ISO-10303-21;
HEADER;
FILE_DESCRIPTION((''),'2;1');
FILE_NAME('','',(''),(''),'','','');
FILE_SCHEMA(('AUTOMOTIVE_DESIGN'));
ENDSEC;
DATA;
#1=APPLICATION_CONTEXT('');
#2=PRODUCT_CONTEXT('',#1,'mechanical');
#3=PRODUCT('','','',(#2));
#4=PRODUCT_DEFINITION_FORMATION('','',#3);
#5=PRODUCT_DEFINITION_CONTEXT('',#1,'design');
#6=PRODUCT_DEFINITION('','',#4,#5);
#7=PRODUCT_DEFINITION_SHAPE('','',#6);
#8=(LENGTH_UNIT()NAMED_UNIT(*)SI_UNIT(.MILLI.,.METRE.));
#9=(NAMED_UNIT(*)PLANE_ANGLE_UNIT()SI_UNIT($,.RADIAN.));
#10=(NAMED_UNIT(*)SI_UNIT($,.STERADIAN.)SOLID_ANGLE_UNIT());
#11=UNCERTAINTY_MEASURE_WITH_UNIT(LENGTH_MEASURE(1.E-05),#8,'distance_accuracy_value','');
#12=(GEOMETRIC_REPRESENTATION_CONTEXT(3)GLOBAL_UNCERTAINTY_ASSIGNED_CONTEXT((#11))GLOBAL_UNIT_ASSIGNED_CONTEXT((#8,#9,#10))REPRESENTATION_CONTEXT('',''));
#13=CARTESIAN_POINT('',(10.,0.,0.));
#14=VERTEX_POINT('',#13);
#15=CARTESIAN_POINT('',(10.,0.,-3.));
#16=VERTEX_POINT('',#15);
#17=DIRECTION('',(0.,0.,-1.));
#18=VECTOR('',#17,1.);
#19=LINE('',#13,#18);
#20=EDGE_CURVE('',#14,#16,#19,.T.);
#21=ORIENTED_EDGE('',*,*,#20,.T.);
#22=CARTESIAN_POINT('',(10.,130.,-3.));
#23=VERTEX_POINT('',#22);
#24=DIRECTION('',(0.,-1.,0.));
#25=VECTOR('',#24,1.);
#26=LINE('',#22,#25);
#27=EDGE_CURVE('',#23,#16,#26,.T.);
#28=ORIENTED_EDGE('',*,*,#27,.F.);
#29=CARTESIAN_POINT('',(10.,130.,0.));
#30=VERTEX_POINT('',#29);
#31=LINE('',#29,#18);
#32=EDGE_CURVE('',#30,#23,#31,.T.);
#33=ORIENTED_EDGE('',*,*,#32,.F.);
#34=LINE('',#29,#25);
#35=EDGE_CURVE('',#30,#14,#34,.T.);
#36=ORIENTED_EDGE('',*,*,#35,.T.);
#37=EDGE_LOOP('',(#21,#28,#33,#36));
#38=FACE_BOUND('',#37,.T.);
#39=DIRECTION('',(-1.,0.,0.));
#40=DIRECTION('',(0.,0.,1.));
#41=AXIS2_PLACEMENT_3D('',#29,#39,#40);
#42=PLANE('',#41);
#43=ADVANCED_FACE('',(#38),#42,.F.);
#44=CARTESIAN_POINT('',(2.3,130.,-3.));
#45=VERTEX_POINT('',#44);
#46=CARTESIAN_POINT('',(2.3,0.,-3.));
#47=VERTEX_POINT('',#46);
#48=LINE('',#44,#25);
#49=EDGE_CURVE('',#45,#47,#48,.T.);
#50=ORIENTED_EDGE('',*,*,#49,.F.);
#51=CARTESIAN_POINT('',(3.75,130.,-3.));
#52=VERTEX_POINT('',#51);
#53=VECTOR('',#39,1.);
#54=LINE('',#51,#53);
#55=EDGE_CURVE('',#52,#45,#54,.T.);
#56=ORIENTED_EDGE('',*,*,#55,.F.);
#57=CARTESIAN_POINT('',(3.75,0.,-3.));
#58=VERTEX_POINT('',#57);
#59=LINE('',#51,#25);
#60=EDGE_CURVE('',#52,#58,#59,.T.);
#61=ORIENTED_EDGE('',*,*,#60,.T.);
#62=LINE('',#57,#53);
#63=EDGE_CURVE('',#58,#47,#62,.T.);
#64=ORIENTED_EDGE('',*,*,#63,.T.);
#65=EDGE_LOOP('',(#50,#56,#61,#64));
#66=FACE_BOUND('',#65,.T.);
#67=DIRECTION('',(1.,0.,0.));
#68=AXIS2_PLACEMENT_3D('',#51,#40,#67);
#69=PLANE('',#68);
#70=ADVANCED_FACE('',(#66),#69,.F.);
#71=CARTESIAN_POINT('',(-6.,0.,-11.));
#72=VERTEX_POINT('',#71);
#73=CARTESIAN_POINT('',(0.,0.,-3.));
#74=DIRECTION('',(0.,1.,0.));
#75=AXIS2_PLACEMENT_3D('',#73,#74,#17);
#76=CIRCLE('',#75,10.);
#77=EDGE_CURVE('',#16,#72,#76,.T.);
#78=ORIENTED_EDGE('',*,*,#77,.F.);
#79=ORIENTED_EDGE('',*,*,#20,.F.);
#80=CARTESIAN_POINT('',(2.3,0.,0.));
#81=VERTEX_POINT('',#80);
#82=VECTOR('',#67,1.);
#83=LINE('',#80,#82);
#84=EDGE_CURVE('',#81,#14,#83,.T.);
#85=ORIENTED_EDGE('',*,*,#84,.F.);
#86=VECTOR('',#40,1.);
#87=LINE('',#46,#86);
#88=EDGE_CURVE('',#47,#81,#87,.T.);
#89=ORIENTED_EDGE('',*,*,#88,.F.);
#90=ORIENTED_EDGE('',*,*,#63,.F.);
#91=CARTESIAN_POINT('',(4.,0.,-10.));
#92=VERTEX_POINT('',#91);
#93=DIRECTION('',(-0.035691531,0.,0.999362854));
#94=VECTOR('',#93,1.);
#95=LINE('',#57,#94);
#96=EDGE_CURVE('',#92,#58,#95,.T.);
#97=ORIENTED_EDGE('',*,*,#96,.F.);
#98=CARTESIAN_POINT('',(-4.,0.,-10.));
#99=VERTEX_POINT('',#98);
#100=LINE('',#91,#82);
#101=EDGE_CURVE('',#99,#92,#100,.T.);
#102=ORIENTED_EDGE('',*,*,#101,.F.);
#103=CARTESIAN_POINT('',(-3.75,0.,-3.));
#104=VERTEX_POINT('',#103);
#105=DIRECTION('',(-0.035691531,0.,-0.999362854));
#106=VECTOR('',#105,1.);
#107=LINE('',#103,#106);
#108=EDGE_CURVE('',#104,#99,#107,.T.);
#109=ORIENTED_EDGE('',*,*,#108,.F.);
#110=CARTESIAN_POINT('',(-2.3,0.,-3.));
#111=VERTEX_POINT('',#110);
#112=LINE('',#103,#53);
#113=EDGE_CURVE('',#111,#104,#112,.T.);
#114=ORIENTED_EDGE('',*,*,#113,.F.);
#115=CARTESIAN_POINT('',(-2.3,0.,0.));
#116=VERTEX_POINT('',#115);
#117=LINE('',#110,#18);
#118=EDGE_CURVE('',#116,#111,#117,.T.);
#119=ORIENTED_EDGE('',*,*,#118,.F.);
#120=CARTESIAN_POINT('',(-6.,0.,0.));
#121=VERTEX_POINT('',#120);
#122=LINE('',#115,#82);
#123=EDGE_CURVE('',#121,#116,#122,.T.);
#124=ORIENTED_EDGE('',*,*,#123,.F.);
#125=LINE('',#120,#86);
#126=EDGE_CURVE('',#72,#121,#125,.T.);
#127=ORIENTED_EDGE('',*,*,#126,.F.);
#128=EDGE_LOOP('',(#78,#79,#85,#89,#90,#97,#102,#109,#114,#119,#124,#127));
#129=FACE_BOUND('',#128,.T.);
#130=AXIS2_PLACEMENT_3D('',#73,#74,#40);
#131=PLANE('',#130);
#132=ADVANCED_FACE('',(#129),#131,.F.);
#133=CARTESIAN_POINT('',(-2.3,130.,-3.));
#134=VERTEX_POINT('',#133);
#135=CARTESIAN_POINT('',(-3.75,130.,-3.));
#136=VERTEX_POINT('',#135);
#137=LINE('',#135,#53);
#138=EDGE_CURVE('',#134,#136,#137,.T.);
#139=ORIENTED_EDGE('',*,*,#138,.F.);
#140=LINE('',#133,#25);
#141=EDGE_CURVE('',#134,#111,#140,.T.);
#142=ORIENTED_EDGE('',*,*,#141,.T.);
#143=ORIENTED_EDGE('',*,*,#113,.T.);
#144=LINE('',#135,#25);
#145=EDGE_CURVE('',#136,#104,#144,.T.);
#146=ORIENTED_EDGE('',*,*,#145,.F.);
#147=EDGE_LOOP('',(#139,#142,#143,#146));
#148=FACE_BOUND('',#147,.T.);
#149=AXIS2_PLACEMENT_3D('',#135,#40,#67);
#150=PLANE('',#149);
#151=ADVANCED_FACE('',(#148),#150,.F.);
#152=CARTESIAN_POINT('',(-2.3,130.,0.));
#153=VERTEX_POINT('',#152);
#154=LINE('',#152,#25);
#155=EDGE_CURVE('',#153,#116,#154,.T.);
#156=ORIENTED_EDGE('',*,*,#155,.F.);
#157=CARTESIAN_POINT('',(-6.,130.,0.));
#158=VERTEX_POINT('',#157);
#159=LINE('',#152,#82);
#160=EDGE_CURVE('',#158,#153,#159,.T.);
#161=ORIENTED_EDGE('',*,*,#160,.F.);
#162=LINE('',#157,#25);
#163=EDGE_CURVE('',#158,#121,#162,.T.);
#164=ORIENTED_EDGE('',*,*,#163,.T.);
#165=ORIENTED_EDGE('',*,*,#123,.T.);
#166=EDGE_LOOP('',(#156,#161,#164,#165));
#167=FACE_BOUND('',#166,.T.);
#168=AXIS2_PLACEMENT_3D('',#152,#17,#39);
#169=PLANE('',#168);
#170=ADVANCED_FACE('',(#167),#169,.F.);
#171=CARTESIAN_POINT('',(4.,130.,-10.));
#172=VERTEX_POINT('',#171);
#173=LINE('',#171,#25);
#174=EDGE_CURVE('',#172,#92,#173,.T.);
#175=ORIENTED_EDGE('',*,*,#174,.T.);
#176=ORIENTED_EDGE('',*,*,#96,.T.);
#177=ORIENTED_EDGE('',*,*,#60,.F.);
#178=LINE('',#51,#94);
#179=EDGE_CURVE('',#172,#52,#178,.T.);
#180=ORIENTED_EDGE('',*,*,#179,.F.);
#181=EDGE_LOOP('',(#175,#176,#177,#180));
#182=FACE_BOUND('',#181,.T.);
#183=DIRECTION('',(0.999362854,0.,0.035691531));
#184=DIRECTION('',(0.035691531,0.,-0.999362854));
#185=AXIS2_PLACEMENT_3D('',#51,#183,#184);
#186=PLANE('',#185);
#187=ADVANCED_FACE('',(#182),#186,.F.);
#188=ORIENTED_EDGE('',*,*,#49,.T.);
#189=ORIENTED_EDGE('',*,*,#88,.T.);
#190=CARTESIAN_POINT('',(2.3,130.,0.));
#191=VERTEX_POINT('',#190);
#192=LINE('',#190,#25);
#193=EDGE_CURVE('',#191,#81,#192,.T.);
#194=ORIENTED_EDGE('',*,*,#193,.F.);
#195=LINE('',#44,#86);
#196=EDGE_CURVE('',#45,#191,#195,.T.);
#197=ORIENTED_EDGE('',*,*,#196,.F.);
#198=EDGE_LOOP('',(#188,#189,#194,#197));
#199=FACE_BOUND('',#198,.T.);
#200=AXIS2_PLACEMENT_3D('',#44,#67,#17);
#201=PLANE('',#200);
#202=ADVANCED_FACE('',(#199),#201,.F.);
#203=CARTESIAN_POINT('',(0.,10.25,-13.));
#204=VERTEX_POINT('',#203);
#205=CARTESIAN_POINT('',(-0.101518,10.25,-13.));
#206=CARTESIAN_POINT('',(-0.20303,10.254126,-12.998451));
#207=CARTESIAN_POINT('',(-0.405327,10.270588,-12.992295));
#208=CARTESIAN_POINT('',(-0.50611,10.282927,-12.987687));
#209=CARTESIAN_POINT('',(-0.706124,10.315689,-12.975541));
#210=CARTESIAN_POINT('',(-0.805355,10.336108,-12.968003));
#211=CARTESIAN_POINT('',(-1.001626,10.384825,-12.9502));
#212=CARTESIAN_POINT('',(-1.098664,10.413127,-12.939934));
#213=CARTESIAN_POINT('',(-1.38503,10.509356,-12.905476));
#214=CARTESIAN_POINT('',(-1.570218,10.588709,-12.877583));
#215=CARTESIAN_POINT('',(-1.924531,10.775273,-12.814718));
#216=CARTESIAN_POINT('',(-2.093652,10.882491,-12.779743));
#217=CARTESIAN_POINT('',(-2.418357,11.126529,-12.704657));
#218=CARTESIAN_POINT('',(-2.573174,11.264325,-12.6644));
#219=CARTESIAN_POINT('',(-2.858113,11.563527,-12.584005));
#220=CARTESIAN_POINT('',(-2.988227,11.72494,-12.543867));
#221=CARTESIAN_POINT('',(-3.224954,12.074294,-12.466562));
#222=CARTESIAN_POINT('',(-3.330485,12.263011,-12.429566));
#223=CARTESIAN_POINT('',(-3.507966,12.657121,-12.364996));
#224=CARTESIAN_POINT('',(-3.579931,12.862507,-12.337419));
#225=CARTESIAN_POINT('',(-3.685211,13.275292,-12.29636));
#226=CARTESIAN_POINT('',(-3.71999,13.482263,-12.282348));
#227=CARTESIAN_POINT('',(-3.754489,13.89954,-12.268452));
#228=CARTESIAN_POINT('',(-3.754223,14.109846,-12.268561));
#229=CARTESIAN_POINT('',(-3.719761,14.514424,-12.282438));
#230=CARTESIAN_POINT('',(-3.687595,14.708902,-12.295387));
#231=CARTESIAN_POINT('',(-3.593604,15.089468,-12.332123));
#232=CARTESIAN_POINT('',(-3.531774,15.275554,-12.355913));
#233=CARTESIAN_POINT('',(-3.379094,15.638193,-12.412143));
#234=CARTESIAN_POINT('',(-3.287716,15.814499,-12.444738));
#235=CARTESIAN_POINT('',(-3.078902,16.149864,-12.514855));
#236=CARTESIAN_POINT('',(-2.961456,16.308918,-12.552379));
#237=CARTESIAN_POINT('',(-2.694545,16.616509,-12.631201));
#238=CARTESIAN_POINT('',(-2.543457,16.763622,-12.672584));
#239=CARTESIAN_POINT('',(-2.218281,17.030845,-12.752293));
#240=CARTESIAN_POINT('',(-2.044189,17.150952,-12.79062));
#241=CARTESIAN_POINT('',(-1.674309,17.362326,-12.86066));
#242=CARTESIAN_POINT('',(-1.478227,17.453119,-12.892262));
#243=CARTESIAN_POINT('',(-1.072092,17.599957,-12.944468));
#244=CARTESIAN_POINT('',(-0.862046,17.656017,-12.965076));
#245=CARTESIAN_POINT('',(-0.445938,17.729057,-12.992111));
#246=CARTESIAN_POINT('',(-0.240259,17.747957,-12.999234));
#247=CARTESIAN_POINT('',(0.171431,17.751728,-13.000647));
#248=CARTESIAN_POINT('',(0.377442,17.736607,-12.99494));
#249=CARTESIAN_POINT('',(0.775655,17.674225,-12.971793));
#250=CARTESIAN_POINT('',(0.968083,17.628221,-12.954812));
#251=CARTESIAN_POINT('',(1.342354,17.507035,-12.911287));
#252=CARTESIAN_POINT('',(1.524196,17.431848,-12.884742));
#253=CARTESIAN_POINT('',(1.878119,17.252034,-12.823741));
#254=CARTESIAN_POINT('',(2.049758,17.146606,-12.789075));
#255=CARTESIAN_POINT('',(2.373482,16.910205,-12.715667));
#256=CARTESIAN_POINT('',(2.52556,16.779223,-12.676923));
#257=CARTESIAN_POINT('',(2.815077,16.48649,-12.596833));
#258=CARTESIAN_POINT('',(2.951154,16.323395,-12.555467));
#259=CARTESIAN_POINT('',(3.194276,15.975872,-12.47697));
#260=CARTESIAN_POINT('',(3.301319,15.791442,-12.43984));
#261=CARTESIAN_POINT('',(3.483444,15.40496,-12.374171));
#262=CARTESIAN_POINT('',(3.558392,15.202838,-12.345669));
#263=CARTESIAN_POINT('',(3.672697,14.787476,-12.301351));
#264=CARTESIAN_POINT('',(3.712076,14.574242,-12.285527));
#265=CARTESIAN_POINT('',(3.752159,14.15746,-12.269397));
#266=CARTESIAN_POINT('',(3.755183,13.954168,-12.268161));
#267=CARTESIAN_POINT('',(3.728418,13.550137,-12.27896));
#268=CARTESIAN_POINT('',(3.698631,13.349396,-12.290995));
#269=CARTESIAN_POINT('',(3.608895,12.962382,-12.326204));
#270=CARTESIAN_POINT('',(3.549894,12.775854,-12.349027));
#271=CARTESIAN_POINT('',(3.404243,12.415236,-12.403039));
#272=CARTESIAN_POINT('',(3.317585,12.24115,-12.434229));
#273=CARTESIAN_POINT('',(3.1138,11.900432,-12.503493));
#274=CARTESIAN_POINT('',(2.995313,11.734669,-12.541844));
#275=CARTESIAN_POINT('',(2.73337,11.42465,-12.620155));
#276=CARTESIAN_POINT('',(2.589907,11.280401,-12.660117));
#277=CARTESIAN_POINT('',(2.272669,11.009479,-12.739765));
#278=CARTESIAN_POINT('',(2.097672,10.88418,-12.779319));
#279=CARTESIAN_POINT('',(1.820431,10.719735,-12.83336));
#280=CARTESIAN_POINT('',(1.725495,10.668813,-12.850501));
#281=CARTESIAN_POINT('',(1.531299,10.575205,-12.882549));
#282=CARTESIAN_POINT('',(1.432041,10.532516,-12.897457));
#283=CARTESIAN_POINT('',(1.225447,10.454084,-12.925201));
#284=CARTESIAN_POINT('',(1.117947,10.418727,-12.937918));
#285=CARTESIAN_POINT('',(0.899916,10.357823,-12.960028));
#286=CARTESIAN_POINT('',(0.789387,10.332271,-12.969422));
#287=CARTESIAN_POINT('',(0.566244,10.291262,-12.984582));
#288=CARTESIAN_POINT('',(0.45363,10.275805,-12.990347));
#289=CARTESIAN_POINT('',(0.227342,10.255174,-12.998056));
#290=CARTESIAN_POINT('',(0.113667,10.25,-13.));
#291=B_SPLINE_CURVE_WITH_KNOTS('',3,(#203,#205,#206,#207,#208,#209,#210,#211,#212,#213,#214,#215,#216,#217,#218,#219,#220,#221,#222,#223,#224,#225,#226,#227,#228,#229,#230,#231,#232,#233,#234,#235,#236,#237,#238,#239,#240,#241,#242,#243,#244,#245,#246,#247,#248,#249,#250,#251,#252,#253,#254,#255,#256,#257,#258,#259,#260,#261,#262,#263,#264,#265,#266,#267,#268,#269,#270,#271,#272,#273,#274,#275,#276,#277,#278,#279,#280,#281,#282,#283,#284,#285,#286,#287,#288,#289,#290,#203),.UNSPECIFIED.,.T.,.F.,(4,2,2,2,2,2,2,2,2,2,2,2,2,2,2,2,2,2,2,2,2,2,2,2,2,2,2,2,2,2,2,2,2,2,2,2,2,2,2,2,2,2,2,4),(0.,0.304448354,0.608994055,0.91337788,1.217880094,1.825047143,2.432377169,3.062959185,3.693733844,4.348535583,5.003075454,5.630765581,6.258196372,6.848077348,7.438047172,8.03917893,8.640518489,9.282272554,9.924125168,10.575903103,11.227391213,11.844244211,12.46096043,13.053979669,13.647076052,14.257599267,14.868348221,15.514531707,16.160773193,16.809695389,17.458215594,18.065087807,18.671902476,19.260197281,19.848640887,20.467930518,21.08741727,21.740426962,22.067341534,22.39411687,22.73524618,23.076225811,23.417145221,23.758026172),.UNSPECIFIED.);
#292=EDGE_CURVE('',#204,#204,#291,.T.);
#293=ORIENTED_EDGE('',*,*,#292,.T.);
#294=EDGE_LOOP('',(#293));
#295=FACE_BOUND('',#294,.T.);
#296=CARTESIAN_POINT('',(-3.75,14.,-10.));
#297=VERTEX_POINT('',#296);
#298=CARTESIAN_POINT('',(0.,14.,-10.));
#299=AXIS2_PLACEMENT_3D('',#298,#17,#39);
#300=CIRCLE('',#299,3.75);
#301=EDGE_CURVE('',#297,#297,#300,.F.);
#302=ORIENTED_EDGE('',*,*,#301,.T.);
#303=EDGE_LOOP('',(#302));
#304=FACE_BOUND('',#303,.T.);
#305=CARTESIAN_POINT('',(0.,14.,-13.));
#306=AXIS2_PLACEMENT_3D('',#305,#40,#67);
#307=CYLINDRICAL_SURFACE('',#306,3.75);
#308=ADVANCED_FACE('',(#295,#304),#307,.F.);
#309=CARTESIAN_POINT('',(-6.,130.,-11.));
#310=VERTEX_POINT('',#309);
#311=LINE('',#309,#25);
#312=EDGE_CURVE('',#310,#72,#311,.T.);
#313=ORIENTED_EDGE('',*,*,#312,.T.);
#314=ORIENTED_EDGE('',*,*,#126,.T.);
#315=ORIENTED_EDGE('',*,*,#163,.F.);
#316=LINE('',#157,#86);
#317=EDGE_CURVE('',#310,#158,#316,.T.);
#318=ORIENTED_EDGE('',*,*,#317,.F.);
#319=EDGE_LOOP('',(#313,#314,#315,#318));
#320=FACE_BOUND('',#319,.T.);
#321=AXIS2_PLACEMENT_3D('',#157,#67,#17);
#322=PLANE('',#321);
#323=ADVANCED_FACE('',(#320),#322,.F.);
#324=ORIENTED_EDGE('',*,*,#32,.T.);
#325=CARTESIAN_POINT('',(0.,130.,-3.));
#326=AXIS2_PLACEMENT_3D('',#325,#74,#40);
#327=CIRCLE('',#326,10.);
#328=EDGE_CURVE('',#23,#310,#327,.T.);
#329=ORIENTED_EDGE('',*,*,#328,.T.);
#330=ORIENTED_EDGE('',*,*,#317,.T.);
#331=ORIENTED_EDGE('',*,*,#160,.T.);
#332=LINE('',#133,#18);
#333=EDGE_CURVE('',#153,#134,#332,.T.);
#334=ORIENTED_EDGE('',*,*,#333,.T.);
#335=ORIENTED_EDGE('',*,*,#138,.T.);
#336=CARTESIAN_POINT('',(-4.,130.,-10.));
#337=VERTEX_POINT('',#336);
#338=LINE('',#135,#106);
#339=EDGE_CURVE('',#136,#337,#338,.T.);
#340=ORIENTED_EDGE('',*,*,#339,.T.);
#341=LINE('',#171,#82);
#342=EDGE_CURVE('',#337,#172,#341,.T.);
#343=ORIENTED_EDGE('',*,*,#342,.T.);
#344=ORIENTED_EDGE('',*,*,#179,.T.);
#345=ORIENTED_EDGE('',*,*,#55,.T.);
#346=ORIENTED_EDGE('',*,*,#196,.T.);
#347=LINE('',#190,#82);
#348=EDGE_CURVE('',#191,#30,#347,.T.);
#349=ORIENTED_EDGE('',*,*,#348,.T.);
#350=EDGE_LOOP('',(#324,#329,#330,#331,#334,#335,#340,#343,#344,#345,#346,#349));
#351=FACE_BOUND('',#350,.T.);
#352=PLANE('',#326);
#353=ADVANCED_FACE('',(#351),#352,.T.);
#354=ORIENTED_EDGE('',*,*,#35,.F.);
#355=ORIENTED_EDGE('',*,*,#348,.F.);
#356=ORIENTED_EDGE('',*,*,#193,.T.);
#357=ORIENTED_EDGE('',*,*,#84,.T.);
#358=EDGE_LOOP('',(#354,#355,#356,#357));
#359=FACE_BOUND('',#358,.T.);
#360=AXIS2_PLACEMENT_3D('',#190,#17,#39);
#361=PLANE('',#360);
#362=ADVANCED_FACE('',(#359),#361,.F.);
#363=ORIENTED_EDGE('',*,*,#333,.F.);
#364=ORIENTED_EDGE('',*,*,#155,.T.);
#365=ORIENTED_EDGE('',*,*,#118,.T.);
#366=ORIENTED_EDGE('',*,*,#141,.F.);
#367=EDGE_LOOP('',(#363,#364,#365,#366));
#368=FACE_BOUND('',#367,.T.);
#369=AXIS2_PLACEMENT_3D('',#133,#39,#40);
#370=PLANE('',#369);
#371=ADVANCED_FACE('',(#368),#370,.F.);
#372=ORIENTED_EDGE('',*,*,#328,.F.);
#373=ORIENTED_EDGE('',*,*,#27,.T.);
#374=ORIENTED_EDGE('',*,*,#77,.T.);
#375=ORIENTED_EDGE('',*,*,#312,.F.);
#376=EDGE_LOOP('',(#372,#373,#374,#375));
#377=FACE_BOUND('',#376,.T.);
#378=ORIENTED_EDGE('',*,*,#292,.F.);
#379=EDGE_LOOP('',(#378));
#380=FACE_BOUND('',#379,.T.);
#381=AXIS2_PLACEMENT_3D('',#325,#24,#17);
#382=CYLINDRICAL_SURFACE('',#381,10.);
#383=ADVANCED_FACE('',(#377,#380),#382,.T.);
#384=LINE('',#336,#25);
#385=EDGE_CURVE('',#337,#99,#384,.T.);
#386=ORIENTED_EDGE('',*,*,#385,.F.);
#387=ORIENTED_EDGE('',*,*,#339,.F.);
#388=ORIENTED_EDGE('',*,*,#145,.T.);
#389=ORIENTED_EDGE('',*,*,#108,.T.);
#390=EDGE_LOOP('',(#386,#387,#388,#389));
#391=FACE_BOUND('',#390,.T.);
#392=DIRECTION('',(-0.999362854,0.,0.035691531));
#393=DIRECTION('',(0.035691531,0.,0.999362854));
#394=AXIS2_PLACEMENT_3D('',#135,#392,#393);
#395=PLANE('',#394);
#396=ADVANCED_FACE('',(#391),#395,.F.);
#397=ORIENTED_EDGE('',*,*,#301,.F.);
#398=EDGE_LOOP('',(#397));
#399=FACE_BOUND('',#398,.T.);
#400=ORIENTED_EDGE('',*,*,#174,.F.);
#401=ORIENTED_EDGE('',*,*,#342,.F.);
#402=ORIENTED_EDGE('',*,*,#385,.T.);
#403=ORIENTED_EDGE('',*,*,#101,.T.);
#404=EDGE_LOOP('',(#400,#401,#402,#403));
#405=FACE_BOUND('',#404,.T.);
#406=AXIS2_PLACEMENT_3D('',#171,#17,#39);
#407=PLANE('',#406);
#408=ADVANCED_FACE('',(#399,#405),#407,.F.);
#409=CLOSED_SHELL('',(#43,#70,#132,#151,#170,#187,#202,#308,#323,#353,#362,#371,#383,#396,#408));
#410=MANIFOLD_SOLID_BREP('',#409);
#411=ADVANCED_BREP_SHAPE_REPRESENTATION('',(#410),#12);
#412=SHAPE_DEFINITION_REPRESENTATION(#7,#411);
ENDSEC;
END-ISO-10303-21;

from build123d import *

# Parameters (mm, degrees)
AUFSATZ_LINEAR_AUSTRAGEN1_DEPTH = 130
SKIZZE2_R                       = 3.75
SCHNITT_LINEAR_AUSTRAGEN1_DEPTH = 131.766968306


with BuildPart() as part:
    # Skizze1 → Aufsatz-Linear austragen1 (new body)
    with BuildSketch(Plane(origin=(0, 0, 0), x_dir=(1, 0, 0), z_dir=(0, 1, 0))):
        with BuildLine():
            Line((2.3, 0), (10, 0))
            Line((10, 0), (10, 3))
            ThreePointArc((10, 3), (7.071067812, 10.071067812), (0, 13))
            ThreePointArc((0, 13), (-3.16227766, 12.486832981), (-6, 11))
            Line((-6, 11), (-6, 0))
            Line((-6, 0), (-2.3, 0))
            Line((-2.3, 0), (-2.3, 3))
            Line((-2.3, 3), (-3.75, 3))
            Line((-3.75, 3), (-4, 10))
            Line((-4, 10), (4, 10))
            Line((4, 10), (3.75, 3))
            Line((3.75, 3), (2.3, 3))
            Line((2.3, 3), (2.3, 0))
        make_face()
    extrude(amount=AUFSATZ_LINEAR_AUSTRAGEN1_DEPTH)

    # Skizze2 → Schnitt-Linear austragen1 (cut, through all)
    with BuildSketch(Plane(origin=(0, 0, -3), x_dir=(-1, 0, 0), z_dir=(0, 0, -1))):
        with Locations(Location((0, 14, 0), (0, 0, 270))):
            Circle(SKIZZE2_R)
    extrude(amount=SCHNITT_LINEAR_AUSTRAGEN1_DEPTH, mode=Mode.SUBTRACT)


solid = part.part
